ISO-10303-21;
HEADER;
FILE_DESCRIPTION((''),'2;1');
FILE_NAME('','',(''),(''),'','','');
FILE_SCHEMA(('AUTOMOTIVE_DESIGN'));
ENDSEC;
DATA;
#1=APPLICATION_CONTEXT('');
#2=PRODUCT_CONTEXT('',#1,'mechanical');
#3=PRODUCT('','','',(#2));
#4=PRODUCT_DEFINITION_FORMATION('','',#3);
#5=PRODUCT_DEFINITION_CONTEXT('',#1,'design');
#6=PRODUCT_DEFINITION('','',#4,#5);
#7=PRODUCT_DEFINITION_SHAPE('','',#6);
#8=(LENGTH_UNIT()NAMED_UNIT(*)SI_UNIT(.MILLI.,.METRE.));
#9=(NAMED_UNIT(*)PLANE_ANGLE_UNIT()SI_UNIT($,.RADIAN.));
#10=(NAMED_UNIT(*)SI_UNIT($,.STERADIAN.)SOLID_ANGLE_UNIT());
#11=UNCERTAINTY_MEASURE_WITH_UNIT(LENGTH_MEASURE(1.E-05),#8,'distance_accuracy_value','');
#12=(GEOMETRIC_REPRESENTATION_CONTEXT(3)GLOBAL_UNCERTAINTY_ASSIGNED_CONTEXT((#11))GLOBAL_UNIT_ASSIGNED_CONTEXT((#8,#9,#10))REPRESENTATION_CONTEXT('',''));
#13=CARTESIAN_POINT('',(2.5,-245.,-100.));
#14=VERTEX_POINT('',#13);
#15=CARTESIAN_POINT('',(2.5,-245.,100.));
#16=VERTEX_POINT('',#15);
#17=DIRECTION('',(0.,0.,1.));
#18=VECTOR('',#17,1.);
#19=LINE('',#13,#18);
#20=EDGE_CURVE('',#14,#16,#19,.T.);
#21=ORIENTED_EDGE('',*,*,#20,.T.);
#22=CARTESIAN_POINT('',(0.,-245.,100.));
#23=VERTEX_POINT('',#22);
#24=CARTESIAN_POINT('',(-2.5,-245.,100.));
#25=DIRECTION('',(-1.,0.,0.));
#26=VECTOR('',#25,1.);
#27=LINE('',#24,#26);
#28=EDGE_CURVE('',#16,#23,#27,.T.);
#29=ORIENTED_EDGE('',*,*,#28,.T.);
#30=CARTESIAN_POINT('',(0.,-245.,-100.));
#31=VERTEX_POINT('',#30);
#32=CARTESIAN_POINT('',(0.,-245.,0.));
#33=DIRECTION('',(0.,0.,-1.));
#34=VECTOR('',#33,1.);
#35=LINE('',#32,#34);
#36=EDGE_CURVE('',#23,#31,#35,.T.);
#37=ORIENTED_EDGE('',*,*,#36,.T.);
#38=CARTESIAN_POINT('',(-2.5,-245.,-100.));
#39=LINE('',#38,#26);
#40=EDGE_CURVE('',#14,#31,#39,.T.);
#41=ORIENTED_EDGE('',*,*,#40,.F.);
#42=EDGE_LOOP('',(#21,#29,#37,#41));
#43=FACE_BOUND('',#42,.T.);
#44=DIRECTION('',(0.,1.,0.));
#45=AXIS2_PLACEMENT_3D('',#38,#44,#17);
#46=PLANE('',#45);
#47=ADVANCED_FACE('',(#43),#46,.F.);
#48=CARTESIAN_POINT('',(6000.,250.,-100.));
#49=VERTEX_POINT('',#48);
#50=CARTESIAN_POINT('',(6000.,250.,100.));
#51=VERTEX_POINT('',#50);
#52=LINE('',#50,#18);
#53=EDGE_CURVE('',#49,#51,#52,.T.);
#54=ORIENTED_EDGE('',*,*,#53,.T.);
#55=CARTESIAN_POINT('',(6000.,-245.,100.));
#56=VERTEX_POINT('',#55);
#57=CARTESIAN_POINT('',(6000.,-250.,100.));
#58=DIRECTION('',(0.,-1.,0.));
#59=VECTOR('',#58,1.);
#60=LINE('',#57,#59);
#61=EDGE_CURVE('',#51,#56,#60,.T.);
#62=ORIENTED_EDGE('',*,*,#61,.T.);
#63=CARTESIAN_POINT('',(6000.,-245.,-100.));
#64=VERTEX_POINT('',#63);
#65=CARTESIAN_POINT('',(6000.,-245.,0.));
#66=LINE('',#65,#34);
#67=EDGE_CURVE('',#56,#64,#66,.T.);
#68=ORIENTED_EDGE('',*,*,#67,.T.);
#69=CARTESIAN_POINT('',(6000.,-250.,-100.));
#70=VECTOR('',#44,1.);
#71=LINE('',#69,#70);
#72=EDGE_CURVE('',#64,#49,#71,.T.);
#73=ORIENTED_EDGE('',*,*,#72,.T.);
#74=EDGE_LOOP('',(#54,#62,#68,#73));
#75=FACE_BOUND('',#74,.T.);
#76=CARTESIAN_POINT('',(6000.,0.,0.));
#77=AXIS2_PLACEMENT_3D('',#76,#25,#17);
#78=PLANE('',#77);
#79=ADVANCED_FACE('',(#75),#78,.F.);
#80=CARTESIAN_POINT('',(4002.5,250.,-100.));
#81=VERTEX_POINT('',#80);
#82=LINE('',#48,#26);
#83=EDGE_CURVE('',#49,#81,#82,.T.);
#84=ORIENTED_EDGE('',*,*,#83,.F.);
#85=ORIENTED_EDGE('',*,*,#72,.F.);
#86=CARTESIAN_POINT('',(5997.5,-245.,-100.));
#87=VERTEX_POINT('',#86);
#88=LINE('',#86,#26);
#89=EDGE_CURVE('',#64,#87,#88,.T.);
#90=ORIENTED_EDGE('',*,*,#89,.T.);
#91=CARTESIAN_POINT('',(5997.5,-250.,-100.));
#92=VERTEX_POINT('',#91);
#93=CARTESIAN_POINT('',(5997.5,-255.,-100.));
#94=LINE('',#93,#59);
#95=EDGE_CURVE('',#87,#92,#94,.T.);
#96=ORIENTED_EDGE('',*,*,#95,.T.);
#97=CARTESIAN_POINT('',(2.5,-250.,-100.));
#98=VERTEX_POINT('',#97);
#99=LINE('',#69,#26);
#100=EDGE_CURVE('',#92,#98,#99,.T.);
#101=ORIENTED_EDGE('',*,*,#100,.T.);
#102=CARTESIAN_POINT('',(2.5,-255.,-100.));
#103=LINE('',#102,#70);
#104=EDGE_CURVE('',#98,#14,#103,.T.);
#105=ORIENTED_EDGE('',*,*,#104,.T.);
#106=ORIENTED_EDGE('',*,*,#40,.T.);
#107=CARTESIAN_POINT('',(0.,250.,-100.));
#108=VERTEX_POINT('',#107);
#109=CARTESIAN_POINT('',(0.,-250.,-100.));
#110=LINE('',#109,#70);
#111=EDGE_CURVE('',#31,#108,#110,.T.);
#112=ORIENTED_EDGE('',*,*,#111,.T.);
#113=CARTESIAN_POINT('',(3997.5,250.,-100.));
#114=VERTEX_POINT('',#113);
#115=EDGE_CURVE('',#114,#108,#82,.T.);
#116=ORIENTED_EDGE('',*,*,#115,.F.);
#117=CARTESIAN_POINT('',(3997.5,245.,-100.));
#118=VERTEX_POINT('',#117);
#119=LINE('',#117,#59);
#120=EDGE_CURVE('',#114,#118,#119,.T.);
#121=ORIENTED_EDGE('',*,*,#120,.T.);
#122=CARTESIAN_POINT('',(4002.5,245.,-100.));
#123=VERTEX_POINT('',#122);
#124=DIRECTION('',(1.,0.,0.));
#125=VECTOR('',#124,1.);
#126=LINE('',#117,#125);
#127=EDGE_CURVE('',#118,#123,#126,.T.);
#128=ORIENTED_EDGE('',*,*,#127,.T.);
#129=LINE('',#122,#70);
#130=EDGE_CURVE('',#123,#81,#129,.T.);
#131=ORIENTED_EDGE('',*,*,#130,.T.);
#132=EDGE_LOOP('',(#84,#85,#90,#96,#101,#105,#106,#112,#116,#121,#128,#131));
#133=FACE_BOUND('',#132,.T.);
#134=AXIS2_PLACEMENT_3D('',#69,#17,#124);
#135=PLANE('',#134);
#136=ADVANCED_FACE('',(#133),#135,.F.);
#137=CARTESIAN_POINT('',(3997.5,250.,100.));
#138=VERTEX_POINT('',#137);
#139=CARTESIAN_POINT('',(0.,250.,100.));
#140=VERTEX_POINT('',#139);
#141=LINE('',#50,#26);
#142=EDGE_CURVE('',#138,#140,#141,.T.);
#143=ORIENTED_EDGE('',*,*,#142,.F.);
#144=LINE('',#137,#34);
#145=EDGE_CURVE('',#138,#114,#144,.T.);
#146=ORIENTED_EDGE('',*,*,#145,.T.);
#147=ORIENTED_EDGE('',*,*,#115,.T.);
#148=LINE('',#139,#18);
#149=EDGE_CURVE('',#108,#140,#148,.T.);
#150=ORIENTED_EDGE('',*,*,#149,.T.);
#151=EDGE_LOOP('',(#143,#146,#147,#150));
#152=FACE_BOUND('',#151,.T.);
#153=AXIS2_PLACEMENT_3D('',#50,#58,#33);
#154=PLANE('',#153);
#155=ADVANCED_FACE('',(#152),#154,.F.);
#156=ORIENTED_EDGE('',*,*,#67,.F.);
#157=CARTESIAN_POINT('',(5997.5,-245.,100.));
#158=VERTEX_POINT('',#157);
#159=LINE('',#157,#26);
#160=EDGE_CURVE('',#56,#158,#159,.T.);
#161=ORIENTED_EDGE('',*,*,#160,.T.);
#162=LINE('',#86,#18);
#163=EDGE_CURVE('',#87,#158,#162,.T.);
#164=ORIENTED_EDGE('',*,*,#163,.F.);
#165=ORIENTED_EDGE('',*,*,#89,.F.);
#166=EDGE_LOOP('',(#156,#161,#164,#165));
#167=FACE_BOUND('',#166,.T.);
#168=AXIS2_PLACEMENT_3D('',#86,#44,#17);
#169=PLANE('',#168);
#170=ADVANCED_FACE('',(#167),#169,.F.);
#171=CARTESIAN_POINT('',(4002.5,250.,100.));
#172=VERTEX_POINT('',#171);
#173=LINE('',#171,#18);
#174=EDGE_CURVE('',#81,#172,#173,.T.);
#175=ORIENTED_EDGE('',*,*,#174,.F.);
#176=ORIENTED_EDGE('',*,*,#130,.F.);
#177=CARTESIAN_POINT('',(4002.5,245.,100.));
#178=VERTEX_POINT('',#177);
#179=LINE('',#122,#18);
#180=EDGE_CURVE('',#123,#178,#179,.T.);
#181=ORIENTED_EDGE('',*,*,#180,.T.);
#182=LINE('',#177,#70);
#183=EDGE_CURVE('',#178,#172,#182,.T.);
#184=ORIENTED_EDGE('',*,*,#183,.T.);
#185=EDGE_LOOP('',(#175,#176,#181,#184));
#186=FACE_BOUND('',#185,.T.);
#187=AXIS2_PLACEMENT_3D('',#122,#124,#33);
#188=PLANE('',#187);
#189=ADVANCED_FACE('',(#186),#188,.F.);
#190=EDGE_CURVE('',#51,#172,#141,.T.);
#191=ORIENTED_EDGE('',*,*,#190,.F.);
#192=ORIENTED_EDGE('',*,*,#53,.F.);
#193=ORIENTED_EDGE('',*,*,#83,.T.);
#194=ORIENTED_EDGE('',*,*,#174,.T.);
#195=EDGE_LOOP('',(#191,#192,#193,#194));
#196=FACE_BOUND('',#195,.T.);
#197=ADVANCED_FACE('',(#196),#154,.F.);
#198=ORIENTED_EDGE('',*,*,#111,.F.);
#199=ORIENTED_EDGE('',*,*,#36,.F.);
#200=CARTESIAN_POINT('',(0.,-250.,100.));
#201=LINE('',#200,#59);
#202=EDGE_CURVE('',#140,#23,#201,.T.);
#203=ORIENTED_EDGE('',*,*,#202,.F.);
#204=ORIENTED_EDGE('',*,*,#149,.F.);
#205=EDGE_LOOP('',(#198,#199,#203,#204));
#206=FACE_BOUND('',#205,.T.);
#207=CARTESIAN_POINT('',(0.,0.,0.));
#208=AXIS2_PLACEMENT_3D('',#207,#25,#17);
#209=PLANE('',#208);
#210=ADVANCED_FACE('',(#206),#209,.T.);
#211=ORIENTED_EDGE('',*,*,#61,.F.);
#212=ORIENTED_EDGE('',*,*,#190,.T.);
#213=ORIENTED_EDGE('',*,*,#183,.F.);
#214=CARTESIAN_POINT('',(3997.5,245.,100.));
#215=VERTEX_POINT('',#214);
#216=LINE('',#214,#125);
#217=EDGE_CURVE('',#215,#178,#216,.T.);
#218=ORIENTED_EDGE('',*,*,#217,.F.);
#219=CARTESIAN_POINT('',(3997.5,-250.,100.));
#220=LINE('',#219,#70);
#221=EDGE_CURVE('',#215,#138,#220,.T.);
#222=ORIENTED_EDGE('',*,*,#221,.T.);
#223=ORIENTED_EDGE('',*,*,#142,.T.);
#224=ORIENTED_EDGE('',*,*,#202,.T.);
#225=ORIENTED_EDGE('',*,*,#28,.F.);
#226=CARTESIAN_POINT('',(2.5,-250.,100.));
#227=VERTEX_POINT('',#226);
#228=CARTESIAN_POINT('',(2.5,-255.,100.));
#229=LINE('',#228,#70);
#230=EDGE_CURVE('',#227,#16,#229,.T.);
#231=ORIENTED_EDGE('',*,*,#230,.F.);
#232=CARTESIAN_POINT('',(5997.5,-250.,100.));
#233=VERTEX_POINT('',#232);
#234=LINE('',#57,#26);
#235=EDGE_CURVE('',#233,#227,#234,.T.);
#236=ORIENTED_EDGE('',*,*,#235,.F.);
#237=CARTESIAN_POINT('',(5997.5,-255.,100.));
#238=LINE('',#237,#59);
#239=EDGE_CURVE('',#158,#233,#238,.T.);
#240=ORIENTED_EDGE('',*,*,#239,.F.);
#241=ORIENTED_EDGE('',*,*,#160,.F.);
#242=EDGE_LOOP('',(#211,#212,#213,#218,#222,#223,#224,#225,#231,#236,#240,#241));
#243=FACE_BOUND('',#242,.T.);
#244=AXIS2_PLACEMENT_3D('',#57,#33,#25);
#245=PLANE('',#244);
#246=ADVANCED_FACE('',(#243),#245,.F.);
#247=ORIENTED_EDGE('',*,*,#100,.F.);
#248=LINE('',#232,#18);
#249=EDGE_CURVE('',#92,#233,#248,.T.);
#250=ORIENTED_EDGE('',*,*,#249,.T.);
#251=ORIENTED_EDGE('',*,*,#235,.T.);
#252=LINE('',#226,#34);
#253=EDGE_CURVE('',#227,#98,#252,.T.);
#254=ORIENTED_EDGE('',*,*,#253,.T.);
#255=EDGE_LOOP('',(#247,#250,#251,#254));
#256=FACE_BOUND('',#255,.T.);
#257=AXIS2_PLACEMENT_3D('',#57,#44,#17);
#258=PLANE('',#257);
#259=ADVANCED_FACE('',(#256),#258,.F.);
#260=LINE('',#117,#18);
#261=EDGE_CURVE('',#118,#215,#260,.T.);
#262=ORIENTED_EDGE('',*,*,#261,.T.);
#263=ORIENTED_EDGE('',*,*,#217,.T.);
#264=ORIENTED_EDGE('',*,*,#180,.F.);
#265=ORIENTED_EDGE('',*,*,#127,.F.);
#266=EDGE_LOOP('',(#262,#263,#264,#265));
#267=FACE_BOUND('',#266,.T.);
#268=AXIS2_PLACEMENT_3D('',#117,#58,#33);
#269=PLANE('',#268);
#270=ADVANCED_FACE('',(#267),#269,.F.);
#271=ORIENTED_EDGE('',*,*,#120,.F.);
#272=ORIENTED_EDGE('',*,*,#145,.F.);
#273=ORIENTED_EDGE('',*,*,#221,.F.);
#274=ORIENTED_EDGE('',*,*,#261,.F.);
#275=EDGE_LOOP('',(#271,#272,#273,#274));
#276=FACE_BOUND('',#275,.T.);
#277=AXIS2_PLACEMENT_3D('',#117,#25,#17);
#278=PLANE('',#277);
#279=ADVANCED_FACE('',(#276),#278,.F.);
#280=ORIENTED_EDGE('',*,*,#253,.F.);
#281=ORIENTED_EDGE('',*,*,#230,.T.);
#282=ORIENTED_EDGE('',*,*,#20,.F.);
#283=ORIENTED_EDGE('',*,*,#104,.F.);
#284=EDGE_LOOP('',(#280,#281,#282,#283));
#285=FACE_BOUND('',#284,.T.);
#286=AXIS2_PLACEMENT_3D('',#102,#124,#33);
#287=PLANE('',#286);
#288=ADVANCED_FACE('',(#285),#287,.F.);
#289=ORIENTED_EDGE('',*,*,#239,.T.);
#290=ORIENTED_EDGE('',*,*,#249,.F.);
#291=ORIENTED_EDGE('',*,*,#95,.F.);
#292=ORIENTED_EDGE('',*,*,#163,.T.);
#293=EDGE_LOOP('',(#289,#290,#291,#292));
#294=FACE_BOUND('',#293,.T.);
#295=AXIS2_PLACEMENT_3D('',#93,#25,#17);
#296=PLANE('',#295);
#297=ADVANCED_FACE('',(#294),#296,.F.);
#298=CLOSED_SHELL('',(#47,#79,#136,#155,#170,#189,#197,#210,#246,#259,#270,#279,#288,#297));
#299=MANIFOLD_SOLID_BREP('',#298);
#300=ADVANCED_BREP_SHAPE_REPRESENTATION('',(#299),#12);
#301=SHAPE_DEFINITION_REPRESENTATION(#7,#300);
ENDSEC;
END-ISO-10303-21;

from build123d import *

# Parameters (mm, degrees)
SKETCH1_W           = 200
SKETCH1_H           = 500
BOSS_EXTRUDE1_DEPTH = 6000
SKETCH3_W           = 5
SKETCH3_H           = 10
CUT_EXTRUDE1_DEPTH  = 201


with BuildPart() as part:
    # Sketch1 → Boss-Extrude1 (new body)
    with BuildSketch(Plane(origin=(0, 0, 0), x_dir=(0, 0, -1), z_dir=(1, 0, 0))):
        Rectangle(SKETCH1_W, SKETCH1_H)
    extrude(amount=BOSS_EXTRUDE1_DEPTH)

    # Sketch3 → Cut-Extrude1 (cut, through all)
    with BuildSketch(Plane.XY.offset(100)):
        with Locations((0, -250)):
            Rectangle(SKETCH3_W, SKETCH3_H)
        with Locations((6000, -250)):
            Rectangle(SKETCH3_W, SKETCH3_H)
        with Locations((4000, 250)):
            Rectangle(SKETCH3_W, SKETCH3_H)
    extrude(amount=-CUT_EXTRUDE1_DEPTH, mode=Mode.SUBTRACT)


solid = part.part
